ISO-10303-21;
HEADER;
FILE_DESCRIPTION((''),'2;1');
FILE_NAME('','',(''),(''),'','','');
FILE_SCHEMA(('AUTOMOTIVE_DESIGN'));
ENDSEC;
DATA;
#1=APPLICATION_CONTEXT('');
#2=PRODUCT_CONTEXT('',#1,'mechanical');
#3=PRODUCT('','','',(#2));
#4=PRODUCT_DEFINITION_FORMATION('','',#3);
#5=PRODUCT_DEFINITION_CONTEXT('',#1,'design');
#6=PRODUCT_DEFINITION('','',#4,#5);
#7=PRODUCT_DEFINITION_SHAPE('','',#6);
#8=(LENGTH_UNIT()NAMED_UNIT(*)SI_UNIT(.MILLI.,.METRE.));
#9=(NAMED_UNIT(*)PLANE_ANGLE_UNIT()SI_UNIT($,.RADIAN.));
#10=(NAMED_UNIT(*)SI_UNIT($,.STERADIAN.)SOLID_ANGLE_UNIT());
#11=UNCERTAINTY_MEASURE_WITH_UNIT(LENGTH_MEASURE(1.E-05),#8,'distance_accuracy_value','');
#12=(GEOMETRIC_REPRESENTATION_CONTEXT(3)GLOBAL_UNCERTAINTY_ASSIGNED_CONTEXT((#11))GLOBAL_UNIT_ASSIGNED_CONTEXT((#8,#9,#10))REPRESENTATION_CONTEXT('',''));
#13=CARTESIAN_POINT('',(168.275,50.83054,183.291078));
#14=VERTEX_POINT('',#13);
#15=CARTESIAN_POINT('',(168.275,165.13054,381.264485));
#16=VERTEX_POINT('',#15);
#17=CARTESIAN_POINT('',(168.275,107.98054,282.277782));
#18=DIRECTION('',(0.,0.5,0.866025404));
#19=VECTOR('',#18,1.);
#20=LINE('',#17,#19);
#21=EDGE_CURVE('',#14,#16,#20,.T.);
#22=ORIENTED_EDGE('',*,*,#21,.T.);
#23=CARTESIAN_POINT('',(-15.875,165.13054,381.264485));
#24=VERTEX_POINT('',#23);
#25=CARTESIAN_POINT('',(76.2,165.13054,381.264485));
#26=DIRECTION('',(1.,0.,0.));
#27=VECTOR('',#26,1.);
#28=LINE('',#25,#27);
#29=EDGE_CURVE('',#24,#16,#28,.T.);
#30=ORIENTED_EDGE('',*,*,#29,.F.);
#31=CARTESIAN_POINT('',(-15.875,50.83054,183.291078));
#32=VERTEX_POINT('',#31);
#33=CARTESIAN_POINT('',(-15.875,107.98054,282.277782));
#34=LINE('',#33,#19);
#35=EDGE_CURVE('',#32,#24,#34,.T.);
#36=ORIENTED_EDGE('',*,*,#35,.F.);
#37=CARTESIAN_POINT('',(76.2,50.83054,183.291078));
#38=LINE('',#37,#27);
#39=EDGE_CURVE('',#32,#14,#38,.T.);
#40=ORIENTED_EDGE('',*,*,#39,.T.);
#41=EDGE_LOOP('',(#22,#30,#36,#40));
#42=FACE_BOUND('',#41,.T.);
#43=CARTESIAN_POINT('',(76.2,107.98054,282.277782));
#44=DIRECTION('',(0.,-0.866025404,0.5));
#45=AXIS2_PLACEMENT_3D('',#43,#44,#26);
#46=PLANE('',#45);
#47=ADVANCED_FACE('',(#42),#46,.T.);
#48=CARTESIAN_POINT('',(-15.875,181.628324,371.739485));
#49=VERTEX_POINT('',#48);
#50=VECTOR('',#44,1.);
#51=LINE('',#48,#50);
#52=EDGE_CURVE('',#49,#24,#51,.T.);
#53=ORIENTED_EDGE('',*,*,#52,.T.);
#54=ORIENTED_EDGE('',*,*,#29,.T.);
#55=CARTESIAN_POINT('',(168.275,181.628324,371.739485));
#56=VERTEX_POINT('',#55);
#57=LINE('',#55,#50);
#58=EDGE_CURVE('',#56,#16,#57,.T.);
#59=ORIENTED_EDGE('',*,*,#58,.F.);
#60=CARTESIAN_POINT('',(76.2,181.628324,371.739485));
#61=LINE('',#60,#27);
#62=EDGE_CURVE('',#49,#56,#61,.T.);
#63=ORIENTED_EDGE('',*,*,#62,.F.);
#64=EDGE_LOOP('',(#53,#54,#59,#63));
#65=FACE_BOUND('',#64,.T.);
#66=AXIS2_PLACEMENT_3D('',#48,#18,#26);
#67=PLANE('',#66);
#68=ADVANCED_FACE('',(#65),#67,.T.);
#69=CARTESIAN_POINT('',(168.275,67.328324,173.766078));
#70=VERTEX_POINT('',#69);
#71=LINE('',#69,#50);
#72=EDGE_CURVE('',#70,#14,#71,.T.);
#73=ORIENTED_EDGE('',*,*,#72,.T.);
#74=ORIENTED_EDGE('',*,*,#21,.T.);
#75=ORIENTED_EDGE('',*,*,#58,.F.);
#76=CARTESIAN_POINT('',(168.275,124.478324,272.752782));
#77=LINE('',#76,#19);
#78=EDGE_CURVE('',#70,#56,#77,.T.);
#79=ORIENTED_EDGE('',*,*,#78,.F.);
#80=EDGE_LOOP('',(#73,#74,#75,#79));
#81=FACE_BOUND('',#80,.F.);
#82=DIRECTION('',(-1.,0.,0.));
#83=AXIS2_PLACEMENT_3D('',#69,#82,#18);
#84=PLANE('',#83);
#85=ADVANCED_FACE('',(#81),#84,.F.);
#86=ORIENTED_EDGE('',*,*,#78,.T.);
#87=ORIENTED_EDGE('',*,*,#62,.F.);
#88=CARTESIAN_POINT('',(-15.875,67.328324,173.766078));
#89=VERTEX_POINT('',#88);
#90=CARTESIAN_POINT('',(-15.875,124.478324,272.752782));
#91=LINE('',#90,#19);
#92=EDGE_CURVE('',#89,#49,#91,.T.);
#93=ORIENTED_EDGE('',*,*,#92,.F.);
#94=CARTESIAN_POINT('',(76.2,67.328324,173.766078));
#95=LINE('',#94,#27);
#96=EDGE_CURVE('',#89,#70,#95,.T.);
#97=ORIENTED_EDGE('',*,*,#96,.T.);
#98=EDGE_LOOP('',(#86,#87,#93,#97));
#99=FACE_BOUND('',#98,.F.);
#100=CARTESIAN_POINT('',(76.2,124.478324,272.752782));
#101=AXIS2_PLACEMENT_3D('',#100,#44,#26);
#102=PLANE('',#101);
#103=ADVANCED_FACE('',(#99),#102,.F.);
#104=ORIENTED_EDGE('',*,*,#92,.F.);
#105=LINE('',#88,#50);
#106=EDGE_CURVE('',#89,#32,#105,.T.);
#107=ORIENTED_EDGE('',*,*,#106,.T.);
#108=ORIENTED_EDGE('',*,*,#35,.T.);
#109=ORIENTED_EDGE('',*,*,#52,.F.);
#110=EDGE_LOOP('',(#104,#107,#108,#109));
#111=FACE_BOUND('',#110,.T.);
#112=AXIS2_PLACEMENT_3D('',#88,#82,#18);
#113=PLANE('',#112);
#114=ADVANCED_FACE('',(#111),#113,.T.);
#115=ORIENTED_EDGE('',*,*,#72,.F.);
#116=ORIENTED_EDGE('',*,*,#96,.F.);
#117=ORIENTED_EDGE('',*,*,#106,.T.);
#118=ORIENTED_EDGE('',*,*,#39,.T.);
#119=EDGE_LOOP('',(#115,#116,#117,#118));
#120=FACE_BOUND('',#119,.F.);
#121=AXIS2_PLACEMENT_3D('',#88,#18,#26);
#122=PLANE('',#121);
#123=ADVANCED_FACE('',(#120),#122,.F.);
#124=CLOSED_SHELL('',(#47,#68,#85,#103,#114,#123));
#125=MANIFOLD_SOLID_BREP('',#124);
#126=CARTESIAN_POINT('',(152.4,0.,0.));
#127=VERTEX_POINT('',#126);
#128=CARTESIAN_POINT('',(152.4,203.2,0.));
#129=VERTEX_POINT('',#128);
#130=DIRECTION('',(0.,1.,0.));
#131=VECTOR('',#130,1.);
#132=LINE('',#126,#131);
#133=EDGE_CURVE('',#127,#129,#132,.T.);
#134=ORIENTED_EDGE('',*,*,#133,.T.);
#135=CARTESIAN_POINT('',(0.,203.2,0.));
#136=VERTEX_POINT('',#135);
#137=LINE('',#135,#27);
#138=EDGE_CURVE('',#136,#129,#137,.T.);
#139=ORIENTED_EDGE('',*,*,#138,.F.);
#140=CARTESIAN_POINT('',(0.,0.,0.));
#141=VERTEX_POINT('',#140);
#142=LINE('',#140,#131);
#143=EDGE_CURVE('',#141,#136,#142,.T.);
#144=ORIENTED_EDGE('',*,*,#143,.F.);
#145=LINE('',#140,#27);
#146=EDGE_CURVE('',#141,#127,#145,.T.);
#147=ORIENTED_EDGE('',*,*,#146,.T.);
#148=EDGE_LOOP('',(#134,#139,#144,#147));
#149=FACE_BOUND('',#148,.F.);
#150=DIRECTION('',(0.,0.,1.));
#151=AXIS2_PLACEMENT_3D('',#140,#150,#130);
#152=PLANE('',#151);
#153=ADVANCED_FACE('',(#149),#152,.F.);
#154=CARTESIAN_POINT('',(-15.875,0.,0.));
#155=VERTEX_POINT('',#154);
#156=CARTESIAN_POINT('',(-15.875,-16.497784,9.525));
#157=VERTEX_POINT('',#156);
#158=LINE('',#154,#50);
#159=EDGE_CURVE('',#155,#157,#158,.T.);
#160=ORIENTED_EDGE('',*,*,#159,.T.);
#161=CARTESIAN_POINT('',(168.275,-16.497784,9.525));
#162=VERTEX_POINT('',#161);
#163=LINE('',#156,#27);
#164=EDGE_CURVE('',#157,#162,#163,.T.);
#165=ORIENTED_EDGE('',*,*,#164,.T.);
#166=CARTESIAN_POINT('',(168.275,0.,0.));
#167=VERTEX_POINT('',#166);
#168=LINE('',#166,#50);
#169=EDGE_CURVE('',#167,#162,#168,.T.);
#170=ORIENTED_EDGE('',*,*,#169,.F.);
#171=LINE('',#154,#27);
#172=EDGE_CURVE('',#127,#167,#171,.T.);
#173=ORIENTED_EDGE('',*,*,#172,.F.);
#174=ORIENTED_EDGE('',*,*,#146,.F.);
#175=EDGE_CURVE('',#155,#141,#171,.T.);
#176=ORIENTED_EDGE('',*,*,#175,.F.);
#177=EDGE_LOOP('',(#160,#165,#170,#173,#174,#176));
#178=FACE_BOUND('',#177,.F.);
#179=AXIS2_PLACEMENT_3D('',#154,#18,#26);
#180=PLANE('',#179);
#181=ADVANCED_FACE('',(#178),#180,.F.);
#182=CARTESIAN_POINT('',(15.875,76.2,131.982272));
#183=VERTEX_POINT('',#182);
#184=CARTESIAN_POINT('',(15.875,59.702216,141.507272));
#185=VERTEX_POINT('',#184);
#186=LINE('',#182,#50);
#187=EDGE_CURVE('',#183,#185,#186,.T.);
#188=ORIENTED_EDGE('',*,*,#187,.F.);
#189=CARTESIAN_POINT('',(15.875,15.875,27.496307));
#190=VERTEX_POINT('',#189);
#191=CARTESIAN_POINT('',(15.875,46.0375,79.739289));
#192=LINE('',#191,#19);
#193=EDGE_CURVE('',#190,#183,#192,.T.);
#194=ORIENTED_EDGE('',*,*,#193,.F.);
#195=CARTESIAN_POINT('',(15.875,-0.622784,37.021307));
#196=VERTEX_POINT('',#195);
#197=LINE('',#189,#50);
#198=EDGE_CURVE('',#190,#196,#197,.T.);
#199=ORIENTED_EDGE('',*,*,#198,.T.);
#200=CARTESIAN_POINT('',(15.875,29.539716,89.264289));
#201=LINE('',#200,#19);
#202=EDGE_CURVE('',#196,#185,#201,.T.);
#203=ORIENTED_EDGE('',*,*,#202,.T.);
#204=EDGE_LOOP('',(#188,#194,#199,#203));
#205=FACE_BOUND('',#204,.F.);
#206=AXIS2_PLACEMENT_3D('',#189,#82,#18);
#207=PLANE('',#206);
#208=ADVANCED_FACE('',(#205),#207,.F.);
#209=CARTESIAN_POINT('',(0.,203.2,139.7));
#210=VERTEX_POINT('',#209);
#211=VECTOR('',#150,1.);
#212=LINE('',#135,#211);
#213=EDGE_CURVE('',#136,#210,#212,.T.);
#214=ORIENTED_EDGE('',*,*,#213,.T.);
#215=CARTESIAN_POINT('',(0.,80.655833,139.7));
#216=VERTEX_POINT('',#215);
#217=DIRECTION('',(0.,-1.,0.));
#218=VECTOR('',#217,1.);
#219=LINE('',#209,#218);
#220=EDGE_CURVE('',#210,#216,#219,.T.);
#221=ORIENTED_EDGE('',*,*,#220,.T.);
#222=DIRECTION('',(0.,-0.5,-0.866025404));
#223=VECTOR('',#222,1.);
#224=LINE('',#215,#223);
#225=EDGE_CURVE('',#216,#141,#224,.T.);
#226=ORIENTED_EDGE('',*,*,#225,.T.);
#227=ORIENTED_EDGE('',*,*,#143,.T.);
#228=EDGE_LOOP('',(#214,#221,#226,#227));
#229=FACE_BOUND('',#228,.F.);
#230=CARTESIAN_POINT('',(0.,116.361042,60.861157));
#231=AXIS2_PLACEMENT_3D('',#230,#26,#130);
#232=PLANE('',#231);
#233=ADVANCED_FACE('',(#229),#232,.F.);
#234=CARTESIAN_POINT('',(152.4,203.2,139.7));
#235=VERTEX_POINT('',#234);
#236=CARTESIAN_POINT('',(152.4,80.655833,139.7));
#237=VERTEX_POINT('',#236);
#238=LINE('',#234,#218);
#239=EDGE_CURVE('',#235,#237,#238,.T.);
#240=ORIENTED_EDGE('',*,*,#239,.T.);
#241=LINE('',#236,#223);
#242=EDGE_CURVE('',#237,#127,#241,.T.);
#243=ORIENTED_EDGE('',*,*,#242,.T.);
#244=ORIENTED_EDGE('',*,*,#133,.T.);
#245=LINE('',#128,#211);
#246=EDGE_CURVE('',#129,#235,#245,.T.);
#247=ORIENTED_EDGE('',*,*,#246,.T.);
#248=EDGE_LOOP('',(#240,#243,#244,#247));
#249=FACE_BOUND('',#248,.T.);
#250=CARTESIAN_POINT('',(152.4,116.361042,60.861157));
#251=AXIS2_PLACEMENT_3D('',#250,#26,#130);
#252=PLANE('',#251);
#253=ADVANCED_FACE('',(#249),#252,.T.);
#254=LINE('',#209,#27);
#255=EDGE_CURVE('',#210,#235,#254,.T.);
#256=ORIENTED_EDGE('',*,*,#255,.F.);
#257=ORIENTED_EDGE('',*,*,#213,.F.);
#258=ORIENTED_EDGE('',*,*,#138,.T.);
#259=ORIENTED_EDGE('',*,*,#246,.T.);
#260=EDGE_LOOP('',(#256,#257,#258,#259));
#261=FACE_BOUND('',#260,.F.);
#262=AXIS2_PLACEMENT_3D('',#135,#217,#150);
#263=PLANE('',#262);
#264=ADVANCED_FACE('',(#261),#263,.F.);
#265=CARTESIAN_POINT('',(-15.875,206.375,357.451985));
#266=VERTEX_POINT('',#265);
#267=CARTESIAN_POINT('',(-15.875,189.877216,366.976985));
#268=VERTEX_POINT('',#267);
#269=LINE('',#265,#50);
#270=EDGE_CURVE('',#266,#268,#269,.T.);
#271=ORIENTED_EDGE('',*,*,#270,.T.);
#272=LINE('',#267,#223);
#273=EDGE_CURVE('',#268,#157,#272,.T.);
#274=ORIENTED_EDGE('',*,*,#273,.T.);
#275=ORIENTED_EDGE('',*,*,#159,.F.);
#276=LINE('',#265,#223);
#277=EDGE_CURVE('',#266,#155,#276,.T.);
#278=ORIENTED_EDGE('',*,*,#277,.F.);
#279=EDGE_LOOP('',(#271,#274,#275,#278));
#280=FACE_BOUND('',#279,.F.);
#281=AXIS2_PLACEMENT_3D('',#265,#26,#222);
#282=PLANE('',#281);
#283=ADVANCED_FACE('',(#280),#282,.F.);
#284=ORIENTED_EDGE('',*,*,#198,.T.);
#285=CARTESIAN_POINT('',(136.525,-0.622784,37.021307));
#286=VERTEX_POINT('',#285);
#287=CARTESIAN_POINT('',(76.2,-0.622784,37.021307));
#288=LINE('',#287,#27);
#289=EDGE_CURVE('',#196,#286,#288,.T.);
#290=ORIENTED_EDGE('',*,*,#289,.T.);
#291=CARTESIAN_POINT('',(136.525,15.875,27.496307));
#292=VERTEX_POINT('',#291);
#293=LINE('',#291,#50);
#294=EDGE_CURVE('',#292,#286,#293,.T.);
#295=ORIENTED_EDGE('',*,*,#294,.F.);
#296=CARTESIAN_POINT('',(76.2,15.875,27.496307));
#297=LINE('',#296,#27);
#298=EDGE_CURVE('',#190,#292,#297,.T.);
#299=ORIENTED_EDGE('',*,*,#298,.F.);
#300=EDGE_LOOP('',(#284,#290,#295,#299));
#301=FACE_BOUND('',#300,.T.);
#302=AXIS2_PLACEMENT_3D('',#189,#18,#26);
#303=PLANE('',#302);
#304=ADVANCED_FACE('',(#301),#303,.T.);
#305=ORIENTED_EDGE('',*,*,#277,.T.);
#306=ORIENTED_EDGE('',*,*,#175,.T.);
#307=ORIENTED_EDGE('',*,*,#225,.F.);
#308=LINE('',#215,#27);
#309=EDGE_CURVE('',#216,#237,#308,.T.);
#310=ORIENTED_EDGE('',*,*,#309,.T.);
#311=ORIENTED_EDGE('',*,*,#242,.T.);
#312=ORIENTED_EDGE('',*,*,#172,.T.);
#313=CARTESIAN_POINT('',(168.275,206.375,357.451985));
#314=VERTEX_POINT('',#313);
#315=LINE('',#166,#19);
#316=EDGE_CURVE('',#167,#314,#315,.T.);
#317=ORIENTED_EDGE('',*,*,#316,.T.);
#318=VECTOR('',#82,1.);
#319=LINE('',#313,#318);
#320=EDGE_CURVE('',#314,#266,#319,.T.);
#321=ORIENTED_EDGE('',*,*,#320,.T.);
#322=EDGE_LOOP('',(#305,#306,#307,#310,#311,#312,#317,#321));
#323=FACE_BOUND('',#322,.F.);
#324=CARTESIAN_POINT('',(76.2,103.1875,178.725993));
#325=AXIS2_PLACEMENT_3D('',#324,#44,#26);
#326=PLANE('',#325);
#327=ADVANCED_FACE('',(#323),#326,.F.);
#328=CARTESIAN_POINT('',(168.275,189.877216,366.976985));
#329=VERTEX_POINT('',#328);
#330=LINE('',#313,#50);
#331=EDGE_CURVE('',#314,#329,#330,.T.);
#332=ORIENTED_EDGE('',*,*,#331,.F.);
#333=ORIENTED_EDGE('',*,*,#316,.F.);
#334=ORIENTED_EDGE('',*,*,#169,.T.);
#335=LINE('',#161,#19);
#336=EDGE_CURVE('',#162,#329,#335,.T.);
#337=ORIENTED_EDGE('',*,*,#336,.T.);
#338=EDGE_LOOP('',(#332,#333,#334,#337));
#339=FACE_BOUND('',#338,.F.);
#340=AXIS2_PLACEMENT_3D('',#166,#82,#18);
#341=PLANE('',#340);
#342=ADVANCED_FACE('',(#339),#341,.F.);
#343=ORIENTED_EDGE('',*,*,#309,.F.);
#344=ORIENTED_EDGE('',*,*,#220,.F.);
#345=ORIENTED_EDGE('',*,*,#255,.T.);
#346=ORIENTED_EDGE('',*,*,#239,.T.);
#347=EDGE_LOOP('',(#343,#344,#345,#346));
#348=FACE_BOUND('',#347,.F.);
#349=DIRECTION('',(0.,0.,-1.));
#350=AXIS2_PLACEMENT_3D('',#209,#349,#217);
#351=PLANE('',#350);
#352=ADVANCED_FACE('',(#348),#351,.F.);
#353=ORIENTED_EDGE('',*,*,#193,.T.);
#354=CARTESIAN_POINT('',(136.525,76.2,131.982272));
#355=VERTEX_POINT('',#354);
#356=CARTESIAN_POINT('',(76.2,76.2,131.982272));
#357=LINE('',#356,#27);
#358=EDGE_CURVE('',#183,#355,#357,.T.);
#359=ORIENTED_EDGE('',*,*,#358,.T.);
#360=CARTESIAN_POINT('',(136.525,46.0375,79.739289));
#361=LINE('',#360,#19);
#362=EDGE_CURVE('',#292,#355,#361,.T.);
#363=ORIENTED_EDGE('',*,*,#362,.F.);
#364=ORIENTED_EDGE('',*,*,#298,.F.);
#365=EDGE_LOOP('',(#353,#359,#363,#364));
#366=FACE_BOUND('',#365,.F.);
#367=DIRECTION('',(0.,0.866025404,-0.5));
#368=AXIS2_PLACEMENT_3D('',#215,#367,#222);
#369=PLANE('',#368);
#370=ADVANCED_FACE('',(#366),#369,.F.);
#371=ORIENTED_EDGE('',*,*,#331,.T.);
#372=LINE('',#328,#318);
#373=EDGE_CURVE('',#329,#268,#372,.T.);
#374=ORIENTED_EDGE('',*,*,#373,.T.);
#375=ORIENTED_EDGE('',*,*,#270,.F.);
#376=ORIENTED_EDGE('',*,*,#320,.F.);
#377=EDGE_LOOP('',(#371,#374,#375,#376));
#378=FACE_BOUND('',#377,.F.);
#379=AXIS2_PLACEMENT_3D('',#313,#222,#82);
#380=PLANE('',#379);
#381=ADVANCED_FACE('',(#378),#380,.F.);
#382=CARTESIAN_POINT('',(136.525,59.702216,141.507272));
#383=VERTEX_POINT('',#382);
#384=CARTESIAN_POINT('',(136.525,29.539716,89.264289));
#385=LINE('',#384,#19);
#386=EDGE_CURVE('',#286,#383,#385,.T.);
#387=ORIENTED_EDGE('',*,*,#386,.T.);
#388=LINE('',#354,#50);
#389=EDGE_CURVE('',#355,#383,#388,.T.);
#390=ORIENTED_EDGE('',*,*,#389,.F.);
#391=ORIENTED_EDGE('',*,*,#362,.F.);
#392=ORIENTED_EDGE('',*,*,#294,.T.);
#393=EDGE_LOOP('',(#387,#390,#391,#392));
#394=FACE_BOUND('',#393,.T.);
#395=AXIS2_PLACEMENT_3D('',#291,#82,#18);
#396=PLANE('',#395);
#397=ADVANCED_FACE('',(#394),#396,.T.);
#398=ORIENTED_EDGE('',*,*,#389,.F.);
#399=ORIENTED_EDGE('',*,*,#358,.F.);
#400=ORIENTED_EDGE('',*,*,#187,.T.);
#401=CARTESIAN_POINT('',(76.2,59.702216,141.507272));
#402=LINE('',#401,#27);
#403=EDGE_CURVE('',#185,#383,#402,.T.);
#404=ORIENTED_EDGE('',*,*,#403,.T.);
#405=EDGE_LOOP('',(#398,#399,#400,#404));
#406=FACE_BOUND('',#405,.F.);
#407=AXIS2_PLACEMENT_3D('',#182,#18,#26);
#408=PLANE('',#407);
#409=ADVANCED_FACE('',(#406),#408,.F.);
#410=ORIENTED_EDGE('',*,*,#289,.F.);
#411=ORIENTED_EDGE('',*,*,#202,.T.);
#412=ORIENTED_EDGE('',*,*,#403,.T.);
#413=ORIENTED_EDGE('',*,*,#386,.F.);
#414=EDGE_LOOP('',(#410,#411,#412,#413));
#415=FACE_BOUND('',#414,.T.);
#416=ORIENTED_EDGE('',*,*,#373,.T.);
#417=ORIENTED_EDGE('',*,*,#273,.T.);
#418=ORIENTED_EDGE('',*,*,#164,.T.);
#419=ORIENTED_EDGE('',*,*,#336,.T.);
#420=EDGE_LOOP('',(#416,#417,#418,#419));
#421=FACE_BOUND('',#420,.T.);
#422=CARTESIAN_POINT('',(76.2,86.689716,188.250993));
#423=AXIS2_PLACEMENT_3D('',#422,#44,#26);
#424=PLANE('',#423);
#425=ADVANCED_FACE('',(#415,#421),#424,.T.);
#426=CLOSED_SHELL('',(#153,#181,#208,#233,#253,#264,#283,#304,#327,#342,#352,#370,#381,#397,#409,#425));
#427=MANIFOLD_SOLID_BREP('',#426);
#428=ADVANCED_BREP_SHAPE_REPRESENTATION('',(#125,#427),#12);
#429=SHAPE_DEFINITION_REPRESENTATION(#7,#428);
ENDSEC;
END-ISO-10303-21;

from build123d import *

# Parameters (mm, degrees)
F1_DEPTH = 152.4
F2_W     = 120.65
F2_H     = 120.65
F3_DEPTH = 19.05
F5_W     = 184.15
F5_H     = 228.6
F6_DEPTH = 19.05


with BuildPart() as f1:
    # F0 (on Right) → F1 (new body)
    with BuildSketch(Plane.YZ):
        Polygon((80.6558326058, 139.7), (0, 0), (203.2, 0), (203.2, 139.7), align=None)
    extrude(amount=F1_DEPTH)

    # F2 (on face) → F3 (join)
    with BuildSketch(Plane(origin=(0, 0, 0), x_dir=(1, 0, 0), z_dir=(0, -0.8660254038, 0.5))):
        Polygon((-15.875, 0), (76.2, 0), (168.275, 0), (168.275, 412.75), (76.2, 412.75), (-15.875, 412.75), align=None)
        with Locations((76.2, 92.075)):
            Rectangle(F2_W, F2_H, mode=Mode.SUBTRACT)
    extrude(amount=F3_DEPTH)


with BuildPart() as f6:
    # F5 (on offset) → F6 (new body)
    with BuildSketch(Plane(origin=(0, -24.7466759131, 14.2875), x_dir=(1, 0, 0), z_dir=(0, -0.8660254038, 0.5))):
        with Locations((76.2, 298.45)):
            Rectangle(F5_W, F5_H)
    extrude(amount=F6_DEPTH)


solid = Compound([f1.part, f6.part])
